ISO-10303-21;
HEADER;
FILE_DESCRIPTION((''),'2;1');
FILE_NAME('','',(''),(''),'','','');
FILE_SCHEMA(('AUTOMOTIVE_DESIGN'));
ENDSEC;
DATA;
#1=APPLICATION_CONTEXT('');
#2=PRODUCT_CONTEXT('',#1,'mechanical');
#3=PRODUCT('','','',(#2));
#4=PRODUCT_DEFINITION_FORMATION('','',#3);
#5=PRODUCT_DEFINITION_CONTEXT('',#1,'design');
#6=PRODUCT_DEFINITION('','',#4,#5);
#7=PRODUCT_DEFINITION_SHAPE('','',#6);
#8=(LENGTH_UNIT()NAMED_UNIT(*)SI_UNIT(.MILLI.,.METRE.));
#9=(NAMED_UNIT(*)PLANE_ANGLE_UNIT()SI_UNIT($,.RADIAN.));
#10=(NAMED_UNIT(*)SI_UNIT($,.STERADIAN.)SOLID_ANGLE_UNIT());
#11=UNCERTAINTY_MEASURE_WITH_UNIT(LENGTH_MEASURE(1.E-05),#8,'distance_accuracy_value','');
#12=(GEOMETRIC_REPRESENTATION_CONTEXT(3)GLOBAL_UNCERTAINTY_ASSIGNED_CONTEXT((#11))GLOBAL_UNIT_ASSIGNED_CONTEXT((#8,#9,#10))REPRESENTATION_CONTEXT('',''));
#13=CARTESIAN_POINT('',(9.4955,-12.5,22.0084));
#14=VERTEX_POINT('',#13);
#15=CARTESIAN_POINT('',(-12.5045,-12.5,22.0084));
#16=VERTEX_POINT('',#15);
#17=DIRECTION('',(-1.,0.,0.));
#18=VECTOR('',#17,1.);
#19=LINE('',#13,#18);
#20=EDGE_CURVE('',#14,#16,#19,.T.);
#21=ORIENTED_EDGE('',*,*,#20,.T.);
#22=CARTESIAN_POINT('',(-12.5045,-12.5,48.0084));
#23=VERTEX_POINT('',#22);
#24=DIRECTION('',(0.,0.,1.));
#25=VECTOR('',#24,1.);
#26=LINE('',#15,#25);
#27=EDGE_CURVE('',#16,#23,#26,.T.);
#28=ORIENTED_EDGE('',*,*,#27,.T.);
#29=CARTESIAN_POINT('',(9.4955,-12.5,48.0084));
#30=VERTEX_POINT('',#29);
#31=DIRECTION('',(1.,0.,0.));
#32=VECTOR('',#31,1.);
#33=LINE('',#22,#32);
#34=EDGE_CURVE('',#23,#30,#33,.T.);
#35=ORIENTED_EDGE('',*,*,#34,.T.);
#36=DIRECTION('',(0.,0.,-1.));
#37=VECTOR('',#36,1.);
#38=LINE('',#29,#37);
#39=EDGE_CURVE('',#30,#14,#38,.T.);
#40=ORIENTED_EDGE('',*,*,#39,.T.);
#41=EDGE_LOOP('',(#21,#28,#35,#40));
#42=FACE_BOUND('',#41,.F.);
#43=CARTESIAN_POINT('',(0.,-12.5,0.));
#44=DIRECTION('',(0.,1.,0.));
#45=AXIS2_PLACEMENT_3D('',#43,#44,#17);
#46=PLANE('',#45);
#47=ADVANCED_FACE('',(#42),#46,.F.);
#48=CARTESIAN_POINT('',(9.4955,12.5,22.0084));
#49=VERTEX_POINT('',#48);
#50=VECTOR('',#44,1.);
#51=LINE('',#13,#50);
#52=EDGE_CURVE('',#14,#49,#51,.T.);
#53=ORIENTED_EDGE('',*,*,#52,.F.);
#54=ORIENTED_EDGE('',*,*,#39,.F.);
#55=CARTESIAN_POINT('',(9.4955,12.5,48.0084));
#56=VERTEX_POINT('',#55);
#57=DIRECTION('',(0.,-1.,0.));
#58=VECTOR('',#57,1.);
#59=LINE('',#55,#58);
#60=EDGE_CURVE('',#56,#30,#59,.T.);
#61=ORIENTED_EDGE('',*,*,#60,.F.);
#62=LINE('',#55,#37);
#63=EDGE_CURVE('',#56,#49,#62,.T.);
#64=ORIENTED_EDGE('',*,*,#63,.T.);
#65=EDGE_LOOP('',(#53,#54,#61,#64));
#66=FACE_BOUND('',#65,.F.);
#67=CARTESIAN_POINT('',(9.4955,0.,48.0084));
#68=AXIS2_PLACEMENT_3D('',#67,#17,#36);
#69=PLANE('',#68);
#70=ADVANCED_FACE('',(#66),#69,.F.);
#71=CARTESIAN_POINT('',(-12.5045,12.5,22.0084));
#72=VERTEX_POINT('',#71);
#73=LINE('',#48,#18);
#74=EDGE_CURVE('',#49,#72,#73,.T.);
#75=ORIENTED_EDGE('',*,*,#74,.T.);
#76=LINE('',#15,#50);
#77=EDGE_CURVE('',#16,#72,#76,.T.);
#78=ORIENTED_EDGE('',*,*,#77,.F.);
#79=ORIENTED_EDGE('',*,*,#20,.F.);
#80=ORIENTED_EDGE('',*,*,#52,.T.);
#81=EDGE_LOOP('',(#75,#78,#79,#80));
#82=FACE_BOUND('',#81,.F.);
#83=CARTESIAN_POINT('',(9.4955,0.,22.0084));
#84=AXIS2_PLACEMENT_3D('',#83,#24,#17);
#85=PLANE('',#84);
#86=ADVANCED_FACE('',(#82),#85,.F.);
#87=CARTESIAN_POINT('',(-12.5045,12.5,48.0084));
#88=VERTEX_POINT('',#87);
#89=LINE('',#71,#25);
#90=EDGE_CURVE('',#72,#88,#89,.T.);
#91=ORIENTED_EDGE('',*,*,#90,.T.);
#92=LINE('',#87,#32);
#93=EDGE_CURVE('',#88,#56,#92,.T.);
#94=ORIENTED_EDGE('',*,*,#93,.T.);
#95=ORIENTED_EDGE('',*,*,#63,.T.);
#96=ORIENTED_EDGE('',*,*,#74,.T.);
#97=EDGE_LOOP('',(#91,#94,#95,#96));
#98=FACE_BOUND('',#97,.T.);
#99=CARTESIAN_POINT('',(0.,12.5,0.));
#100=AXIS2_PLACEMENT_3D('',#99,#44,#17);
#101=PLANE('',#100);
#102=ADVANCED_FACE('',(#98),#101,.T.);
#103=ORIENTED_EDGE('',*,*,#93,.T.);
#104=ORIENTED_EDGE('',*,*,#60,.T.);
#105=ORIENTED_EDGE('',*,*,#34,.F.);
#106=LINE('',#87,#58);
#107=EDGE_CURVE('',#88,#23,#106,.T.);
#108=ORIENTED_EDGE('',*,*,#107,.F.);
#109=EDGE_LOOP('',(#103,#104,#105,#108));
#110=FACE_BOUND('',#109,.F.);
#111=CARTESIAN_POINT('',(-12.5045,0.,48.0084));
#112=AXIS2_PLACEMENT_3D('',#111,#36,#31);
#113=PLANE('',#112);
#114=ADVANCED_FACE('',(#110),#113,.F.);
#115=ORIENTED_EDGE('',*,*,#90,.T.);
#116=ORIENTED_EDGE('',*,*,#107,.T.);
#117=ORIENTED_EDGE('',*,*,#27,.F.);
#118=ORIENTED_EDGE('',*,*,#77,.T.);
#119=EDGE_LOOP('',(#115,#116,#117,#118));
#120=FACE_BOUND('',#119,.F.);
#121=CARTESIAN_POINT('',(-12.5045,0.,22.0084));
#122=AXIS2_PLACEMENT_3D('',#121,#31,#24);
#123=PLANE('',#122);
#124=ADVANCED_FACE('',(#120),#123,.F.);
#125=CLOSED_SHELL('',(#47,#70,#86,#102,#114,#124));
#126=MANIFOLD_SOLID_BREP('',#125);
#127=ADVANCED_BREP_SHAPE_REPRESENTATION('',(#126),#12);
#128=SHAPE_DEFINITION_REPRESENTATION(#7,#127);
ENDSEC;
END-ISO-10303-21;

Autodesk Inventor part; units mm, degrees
ref_plane "YZ Plane" through (0, 0, 0) normal (1, 0, 0) x (0, 1, 0)
ref_plane "XZ Plane" through (0, 0, 0) normal (0, 1, 0) x (-1, 0, 0)
ref_plane "XY Plane" through (0, 0, 0) normal (0, 0, 1) x (1, 0, 0)
sketch "Sketch2" plane through (0, 0, 0) normal (0, 1, 0) x (-1, 0, 0)
  line L0 (-9.4955, 22.0084) -> (12.5045, 22.0084)
  line L1 (12.5045, 22.0084) -> (12.5045, 48.0084)
  line L2 (12.5045, 48.0084) -> (-9.4955, 48.0084)
  line L3 (-9.4955, 48.0084) -> (-9.4955, 22.0084)
  point P0 (0, 0)
  dimension "d0" = 26
  dimension "d1" = 22
extrude "Extrusion1" add sketch "Sketch2" along normal mid plane 25
ref_plane "Work Plane1" through (-1.5045, 0, 48.0084) normal (0, 1, 0) x (0, 0, 1)
sketch "Sketch5" plane through (9.4955, 12.5, 22.0084) normal (0, 0, -1) x (-1, 0, 0)
  point P0 (9.4955, -12.5)
properties part number "Solenoid"
